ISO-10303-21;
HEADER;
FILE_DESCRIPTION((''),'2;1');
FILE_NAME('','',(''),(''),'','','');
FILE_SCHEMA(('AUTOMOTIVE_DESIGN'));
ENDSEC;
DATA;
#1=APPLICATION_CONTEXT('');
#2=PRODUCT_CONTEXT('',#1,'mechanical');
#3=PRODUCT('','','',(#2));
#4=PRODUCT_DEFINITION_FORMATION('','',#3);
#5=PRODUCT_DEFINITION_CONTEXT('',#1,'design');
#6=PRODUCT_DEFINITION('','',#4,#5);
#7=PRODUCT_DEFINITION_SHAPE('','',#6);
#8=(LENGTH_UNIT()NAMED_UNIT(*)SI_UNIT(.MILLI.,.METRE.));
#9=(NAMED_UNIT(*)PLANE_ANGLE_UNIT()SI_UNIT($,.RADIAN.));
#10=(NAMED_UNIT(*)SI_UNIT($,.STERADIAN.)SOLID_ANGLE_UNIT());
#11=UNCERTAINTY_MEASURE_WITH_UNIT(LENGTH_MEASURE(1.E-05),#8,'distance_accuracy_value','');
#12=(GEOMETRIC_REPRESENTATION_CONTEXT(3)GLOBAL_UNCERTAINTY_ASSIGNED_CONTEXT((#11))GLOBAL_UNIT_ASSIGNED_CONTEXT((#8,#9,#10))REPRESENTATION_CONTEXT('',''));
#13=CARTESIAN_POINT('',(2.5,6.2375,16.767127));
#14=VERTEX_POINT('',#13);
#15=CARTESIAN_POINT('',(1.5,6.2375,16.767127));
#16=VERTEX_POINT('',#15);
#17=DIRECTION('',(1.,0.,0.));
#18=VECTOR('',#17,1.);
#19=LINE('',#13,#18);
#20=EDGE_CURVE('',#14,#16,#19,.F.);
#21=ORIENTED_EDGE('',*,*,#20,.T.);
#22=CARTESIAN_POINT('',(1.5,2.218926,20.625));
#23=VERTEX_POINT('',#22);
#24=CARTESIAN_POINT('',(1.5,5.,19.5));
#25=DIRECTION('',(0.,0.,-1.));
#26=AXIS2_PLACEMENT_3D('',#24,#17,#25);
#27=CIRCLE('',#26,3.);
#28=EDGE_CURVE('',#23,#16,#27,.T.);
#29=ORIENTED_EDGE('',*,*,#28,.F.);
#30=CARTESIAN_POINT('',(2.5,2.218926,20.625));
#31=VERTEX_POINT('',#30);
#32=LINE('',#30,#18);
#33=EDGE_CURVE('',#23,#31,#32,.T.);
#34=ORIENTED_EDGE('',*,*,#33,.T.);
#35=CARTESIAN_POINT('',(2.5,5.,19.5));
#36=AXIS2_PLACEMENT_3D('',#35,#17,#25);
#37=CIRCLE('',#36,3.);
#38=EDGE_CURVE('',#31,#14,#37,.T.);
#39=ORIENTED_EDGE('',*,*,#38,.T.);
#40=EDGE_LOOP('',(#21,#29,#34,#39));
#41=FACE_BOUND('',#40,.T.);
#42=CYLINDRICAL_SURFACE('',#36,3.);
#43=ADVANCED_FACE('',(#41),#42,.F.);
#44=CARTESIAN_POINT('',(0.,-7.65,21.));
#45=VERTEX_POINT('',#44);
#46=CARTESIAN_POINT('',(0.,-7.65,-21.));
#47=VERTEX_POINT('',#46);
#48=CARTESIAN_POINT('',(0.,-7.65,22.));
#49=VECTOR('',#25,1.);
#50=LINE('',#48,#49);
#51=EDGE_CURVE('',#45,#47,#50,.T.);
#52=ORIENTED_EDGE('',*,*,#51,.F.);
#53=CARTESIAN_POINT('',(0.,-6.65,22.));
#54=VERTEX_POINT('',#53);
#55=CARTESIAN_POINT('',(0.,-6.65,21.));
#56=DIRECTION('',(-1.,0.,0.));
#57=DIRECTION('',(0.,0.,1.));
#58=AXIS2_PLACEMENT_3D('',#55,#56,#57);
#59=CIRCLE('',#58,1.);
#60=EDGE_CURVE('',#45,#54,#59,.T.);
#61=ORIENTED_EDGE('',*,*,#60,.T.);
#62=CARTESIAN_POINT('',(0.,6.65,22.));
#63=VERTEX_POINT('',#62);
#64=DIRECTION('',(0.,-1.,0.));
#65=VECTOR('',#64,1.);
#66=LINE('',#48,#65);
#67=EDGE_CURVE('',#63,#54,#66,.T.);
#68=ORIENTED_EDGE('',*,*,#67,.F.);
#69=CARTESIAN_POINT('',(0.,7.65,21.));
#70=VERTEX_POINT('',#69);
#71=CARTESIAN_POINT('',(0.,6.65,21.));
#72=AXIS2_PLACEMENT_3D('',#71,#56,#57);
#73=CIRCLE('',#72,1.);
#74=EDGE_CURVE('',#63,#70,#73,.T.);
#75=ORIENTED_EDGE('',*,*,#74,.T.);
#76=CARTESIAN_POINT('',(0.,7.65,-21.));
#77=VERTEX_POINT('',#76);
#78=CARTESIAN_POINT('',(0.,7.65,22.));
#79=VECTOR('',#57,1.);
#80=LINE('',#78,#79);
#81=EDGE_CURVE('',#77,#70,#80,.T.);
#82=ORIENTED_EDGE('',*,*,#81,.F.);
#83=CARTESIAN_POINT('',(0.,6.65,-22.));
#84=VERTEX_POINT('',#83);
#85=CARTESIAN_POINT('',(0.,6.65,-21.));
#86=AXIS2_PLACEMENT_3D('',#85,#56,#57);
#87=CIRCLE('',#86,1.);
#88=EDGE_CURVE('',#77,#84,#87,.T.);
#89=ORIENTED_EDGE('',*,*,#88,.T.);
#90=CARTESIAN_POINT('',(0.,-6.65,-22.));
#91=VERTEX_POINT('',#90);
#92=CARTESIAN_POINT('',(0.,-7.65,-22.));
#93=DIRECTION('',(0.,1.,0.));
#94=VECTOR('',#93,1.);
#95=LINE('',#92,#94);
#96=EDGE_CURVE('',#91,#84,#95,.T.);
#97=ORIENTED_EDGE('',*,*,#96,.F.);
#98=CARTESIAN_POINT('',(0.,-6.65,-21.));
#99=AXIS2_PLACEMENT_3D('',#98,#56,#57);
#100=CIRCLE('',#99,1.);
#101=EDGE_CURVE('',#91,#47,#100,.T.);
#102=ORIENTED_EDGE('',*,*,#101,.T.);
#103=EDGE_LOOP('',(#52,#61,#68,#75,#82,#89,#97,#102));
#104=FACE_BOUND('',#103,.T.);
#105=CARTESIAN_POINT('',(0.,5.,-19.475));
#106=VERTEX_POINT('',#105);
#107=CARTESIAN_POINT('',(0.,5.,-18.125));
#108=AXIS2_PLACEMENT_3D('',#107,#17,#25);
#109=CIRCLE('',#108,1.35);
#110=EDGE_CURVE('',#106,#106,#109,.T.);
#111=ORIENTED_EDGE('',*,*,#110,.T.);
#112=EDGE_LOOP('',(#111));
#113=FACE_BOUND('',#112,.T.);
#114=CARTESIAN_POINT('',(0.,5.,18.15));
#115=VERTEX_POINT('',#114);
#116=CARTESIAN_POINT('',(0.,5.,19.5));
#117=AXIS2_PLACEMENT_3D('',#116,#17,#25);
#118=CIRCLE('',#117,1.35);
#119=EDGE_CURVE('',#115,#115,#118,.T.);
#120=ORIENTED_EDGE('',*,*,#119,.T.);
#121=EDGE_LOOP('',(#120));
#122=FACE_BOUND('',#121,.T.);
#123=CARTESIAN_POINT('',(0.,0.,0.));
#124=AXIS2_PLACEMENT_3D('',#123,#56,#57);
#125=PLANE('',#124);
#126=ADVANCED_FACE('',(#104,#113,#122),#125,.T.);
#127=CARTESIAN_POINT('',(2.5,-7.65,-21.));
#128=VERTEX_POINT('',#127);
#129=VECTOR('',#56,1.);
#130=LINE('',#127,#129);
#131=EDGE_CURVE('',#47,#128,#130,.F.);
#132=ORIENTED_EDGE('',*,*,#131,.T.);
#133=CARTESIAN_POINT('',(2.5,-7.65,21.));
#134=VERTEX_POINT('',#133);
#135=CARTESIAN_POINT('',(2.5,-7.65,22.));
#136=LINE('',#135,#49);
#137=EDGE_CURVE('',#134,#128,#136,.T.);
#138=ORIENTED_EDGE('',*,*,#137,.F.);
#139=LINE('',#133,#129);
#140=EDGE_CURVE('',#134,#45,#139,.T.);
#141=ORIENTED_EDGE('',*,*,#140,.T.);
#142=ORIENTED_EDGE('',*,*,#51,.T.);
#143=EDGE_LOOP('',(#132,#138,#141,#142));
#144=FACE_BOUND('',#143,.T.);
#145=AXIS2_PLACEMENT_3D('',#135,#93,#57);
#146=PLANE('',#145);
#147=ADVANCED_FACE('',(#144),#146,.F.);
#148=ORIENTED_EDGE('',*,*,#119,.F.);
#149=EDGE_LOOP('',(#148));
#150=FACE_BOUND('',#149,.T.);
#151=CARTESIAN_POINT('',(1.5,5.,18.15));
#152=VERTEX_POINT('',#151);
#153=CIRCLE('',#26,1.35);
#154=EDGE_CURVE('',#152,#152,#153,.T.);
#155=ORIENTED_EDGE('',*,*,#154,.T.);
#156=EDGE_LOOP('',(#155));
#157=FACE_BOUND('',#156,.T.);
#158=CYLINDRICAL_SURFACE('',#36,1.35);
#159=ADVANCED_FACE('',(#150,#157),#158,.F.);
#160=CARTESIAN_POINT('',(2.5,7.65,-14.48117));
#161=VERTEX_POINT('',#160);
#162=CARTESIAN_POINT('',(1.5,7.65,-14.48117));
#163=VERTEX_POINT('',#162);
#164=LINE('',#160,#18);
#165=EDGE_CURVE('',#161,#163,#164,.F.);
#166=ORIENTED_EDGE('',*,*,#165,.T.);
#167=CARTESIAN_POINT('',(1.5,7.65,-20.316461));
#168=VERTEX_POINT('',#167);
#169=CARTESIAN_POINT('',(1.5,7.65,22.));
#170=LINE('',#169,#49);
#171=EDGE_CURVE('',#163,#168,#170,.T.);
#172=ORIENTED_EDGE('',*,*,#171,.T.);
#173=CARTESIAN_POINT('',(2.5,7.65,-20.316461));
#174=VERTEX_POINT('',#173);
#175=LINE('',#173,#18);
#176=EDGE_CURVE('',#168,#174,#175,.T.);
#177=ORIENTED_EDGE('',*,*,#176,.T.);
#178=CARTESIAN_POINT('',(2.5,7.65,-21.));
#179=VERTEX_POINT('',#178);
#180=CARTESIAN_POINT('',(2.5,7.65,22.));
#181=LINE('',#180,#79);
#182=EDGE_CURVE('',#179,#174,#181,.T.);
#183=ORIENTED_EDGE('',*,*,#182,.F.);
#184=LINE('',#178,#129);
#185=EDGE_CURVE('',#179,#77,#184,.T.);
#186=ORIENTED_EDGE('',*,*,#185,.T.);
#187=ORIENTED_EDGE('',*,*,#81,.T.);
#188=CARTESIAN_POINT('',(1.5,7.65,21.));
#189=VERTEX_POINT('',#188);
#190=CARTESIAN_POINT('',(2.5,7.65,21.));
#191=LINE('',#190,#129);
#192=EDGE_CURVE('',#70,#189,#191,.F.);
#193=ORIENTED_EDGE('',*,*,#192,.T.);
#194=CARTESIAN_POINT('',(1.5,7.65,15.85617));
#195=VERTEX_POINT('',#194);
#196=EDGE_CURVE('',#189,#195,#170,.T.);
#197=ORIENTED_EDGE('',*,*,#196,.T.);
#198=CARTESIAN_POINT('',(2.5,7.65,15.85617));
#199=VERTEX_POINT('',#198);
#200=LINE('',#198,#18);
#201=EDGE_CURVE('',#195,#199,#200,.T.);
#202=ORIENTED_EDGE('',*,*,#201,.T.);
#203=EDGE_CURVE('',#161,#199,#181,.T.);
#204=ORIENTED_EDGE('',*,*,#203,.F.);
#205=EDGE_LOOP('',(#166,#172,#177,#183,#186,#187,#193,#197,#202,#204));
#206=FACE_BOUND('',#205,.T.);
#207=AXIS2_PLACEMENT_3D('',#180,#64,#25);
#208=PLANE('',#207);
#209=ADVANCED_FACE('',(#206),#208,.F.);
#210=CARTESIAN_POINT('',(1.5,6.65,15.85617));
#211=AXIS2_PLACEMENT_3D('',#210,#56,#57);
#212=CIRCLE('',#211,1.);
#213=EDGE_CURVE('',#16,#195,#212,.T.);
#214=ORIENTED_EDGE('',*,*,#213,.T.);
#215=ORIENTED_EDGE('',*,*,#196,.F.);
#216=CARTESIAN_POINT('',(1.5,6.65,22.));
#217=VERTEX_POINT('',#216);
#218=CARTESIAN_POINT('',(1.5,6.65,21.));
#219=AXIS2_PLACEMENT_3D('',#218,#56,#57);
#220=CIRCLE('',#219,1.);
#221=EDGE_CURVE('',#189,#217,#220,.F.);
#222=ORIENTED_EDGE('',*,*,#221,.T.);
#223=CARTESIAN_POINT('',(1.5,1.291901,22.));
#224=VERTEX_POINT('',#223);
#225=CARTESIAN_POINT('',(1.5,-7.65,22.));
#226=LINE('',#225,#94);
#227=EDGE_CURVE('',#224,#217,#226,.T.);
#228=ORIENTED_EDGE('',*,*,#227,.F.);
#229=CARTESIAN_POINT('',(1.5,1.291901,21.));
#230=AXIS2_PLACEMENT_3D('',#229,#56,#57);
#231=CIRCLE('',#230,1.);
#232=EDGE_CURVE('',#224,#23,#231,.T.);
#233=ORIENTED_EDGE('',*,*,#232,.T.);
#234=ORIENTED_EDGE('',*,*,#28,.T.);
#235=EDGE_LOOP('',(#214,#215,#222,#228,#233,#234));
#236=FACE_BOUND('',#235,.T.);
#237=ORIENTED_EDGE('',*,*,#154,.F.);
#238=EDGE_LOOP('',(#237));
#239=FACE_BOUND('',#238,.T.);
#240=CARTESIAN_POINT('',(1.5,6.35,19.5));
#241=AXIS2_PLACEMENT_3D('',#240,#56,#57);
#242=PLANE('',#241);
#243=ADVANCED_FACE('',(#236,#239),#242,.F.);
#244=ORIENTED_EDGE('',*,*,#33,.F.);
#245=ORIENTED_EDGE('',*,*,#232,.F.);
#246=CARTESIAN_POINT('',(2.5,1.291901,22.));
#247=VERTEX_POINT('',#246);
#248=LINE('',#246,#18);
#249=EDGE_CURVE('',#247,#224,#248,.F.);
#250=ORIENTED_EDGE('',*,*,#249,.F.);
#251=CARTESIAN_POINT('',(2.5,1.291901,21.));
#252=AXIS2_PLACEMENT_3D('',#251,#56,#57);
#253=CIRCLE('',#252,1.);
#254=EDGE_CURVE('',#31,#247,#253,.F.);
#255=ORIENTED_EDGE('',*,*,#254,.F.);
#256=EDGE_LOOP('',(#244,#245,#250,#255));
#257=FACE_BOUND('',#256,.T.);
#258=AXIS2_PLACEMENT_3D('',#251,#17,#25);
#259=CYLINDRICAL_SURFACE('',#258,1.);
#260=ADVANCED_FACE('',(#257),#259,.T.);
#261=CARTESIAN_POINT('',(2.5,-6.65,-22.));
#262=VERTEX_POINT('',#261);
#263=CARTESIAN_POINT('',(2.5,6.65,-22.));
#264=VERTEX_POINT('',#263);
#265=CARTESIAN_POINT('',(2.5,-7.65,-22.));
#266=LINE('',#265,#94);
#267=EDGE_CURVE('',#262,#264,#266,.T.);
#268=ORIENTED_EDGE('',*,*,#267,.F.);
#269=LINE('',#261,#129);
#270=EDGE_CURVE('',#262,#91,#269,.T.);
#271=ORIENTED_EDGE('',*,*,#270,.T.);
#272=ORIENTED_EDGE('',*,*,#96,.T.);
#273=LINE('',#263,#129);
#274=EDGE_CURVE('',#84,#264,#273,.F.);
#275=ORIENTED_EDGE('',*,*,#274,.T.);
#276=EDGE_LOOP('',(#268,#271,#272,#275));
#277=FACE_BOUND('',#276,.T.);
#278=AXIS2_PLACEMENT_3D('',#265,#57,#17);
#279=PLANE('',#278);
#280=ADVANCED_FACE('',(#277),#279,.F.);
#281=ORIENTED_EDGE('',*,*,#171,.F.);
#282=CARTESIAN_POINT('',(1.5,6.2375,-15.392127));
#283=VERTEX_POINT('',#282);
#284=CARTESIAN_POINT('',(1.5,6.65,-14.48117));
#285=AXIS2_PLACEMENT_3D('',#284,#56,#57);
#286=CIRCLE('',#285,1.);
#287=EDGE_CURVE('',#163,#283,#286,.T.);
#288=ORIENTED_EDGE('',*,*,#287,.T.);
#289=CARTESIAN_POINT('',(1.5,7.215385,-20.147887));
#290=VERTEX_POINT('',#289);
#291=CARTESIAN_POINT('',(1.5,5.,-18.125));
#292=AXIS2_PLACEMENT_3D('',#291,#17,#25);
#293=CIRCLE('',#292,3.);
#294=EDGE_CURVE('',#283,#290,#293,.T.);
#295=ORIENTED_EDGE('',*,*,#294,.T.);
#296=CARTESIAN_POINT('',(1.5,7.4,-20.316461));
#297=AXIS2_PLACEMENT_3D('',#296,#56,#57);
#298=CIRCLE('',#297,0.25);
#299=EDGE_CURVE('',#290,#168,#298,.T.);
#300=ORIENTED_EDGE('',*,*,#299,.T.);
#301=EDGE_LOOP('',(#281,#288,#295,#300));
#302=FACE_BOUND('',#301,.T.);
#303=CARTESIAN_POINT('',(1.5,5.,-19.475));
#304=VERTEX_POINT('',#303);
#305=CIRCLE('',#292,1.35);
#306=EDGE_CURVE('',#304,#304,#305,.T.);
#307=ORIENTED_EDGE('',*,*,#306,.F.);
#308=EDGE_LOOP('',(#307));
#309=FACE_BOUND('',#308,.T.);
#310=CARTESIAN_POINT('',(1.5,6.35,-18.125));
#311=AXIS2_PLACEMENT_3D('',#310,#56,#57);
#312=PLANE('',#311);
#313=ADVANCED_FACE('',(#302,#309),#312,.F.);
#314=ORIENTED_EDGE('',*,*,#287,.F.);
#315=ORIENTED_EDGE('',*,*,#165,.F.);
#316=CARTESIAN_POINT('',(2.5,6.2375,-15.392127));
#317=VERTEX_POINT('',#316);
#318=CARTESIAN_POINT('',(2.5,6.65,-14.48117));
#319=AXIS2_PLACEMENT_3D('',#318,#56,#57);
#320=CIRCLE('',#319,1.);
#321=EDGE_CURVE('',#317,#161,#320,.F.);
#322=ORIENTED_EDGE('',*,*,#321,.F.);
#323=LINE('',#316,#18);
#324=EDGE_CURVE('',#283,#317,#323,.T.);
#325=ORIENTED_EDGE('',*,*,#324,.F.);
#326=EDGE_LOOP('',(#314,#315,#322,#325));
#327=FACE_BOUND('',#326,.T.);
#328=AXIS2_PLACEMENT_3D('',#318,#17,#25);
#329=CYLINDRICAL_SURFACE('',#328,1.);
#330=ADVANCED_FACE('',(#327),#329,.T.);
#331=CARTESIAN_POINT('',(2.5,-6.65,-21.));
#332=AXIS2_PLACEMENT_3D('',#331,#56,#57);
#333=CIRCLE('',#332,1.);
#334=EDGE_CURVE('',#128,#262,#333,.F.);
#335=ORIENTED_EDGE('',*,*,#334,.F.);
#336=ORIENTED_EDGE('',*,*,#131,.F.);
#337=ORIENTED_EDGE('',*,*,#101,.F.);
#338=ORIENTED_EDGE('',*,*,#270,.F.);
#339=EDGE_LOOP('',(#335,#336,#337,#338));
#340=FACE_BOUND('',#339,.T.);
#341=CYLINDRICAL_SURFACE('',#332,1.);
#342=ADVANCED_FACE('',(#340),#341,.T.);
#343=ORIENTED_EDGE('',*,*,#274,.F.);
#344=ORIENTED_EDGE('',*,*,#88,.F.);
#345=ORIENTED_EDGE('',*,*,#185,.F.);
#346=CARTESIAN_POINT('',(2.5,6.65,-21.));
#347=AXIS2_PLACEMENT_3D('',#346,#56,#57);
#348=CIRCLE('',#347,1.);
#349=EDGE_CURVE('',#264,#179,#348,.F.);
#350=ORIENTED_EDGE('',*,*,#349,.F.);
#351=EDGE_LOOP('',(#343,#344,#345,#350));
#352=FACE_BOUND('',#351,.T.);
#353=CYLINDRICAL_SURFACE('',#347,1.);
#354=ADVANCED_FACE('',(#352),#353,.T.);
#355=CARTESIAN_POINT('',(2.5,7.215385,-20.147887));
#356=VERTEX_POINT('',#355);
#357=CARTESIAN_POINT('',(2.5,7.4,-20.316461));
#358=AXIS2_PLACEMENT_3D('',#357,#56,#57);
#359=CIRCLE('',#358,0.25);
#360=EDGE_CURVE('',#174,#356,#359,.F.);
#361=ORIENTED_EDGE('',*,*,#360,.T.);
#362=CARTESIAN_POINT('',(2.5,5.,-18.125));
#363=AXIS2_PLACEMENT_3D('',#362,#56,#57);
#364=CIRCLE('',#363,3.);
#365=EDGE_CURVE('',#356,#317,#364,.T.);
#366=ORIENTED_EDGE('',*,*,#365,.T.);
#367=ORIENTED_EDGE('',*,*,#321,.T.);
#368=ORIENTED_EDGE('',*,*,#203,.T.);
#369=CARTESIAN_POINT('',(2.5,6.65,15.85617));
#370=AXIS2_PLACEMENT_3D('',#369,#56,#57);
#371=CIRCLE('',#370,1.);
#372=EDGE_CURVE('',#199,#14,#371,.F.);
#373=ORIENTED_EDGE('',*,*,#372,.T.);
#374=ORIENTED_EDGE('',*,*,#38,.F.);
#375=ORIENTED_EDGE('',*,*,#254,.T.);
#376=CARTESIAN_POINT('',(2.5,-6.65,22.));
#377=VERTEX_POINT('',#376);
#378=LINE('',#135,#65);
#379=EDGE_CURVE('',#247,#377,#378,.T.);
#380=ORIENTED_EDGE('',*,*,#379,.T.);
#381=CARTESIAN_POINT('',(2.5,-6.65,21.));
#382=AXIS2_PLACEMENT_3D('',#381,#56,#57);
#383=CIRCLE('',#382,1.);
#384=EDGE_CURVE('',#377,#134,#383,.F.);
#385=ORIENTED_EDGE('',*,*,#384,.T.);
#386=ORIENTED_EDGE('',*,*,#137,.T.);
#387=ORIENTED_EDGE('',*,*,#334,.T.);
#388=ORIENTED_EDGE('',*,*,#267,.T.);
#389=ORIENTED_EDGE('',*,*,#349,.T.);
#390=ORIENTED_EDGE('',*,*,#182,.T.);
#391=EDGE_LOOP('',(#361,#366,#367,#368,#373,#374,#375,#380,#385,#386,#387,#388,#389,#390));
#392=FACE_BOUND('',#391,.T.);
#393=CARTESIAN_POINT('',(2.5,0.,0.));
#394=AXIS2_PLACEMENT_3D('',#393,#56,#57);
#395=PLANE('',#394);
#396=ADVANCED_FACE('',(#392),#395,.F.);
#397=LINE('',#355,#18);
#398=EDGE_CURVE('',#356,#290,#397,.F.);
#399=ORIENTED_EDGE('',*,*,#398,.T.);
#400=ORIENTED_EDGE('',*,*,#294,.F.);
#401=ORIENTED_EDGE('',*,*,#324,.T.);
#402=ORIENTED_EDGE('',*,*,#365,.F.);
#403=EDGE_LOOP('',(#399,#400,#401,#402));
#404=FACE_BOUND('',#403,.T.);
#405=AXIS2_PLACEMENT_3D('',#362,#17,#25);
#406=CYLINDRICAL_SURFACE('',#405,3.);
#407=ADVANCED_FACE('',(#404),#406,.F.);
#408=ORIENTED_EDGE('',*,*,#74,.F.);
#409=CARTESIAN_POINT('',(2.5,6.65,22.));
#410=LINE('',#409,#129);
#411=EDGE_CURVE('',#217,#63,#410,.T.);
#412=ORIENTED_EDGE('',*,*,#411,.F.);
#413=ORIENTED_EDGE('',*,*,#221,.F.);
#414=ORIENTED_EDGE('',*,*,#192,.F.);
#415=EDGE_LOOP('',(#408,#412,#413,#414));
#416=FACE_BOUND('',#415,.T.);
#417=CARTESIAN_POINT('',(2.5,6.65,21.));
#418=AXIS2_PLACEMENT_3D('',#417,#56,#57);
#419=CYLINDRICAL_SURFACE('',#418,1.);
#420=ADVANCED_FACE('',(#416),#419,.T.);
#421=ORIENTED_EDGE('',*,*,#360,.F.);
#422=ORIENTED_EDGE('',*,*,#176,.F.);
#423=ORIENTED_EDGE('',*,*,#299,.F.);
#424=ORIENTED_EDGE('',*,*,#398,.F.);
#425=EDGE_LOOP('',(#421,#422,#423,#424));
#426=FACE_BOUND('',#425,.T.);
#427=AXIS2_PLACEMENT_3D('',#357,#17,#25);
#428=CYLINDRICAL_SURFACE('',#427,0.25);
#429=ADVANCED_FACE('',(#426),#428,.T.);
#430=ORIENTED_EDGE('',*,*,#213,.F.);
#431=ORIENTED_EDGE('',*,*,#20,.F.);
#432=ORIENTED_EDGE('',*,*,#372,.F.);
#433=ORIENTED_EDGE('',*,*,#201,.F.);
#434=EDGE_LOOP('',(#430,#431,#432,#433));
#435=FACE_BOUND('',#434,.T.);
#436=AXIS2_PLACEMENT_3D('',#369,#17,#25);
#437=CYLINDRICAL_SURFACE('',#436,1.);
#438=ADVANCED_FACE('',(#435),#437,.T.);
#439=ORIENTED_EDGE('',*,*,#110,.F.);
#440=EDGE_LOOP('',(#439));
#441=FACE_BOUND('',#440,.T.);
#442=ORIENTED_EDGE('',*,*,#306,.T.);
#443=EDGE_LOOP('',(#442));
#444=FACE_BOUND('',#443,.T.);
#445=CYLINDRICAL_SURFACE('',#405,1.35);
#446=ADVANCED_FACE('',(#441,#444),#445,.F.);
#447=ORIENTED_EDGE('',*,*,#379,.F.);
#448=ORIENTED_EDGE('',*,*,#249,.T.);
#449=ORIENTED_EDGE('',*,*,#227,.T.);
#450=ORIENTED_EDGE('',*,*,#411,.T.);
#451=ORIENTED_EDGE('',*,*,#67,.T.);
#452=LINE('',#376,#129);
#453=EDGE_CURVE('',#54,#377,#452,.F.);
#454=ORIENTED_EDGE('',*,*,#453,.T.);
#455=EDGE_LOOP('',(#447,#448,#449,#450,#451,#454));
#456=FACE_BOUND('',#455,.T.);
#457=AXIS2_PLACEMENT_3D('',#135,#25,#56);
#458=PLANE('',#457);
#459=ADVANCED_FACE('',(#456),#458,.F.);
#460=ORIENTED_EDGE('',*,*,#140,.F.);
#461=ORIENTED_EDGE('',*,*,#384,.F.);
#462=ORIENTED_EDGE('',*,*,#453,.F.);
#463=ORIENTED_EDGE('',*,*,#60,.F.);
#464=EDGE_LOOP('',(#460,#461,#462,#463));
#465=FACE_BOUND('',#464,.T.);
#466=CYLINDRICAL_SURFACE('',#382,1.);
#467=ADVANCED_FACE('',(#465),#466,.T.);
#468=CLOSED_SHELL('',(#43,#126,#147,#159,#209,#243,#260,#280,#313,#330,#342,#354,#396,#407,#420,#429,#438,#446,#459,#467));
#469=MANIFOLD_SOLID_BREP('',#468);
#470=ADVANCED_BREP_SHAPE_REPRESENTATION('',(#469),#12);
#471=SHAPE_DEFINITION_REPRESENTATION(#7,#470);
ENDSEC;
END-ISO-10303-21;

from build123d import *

# Parameters (mm, degrees)
SKETCH1_W                                          = 44
SKETCH1_H                                          = 15.3
BOSS_EXTRUDE1_DEPTH                                = 2.5
CBORE_FOR_M2_5_PAN_HEAD_MACHINE_SCREW1_D           = 2.7
CBORE_FOR_M2_5_PAN_HEAD_MACHINE_SCREW1_CBORE_D     = 6
CBORE_FOR_M2_5_PAN_HEAD_MACHINE_SCREW1_CBORE_DEPTH = 1
CUT_EXTRUDE1_DEPTH                                 = 1
FILLET1_R                                          = 1
FILLET2_R                                          = 0.25


with BuildPart() as part:
    # Sketch1 → Boss-Extrude1 (new body)
    with BuildSketch(Plane(origin=(0, 0, 0), x_dir=(0, 0, -1), z_dir=(1, 0, 0))):
        Rectangle(SKETCH1_W, SKETCH1_H)
    extrude(amount=BOSS_EXTRUDE1_DEPTH)

    # CBORE for M2.5 Pan Head Machine Screw1 (through all)
    with Locations(Plane(origin=(2.5, 0, 0), x_dir=(0, 0, -1), z_dir=(1, 0, 0))):
        with Locations((-19.5, 5), (18.125, 5)):
            CounterBoreHole(CBORE_FOR_M2_5_PAN_HEAD_MACHINE_SCREW1_D / 2, CBORE_FOR_M2_5_PAN_HEAD_MACHINE_SCREW1_CBORE_D / 2, CBORE_FOR_M2_5_PAN_HEAD_MACHINE_SCREW1_CBORE_DEPTH)

    # Sketch5 → Cut-Extrude1 (cut)
    with BuildSketch(Plane(origin=(2.5, 0, 0), x_dir=(0, 0, -1), z_dir=(1, 0, 0))):
        with BuildLine():
            ThreePointArc((-20.906236111, 7.65), (-21.515075982, 7.222491571), (-22, 6.658312395))
            Line((-22, 6.658312395), (-22, 7.65))
            Line((-22, 7.65), (-20.906236111, 7.65))
        make_face()
    extrude(amount=-CUT_EXTRUDE1_DEPTH, mode=Mode.SUBTRACT)

    # Fillet1
    fillet1_edges = [part.edges().sort_by_distance(p)[0] for p in [
        (2, 7.65, -16.718763889),
        (2, 7.65, 18.093763889),
        (2, 3.341687605, 22),
        (0.75, 7.65, 22),
        (1.25, -7.65, -22),
        (1.25, -7.65, 22),
        (1.25, 7.65, -22),
    ]]
    fillet(fillet1_edges, radius=FILLET1_R)

    # Fillet2
    fillet2_edges = [part.edges().sort_by_distance(p)[0] for p in [
        (2, 7.65, -19.531236111),
    ]]
    fillet(fillet2_edges, radius=FILLET2_R)


solid = part.part
